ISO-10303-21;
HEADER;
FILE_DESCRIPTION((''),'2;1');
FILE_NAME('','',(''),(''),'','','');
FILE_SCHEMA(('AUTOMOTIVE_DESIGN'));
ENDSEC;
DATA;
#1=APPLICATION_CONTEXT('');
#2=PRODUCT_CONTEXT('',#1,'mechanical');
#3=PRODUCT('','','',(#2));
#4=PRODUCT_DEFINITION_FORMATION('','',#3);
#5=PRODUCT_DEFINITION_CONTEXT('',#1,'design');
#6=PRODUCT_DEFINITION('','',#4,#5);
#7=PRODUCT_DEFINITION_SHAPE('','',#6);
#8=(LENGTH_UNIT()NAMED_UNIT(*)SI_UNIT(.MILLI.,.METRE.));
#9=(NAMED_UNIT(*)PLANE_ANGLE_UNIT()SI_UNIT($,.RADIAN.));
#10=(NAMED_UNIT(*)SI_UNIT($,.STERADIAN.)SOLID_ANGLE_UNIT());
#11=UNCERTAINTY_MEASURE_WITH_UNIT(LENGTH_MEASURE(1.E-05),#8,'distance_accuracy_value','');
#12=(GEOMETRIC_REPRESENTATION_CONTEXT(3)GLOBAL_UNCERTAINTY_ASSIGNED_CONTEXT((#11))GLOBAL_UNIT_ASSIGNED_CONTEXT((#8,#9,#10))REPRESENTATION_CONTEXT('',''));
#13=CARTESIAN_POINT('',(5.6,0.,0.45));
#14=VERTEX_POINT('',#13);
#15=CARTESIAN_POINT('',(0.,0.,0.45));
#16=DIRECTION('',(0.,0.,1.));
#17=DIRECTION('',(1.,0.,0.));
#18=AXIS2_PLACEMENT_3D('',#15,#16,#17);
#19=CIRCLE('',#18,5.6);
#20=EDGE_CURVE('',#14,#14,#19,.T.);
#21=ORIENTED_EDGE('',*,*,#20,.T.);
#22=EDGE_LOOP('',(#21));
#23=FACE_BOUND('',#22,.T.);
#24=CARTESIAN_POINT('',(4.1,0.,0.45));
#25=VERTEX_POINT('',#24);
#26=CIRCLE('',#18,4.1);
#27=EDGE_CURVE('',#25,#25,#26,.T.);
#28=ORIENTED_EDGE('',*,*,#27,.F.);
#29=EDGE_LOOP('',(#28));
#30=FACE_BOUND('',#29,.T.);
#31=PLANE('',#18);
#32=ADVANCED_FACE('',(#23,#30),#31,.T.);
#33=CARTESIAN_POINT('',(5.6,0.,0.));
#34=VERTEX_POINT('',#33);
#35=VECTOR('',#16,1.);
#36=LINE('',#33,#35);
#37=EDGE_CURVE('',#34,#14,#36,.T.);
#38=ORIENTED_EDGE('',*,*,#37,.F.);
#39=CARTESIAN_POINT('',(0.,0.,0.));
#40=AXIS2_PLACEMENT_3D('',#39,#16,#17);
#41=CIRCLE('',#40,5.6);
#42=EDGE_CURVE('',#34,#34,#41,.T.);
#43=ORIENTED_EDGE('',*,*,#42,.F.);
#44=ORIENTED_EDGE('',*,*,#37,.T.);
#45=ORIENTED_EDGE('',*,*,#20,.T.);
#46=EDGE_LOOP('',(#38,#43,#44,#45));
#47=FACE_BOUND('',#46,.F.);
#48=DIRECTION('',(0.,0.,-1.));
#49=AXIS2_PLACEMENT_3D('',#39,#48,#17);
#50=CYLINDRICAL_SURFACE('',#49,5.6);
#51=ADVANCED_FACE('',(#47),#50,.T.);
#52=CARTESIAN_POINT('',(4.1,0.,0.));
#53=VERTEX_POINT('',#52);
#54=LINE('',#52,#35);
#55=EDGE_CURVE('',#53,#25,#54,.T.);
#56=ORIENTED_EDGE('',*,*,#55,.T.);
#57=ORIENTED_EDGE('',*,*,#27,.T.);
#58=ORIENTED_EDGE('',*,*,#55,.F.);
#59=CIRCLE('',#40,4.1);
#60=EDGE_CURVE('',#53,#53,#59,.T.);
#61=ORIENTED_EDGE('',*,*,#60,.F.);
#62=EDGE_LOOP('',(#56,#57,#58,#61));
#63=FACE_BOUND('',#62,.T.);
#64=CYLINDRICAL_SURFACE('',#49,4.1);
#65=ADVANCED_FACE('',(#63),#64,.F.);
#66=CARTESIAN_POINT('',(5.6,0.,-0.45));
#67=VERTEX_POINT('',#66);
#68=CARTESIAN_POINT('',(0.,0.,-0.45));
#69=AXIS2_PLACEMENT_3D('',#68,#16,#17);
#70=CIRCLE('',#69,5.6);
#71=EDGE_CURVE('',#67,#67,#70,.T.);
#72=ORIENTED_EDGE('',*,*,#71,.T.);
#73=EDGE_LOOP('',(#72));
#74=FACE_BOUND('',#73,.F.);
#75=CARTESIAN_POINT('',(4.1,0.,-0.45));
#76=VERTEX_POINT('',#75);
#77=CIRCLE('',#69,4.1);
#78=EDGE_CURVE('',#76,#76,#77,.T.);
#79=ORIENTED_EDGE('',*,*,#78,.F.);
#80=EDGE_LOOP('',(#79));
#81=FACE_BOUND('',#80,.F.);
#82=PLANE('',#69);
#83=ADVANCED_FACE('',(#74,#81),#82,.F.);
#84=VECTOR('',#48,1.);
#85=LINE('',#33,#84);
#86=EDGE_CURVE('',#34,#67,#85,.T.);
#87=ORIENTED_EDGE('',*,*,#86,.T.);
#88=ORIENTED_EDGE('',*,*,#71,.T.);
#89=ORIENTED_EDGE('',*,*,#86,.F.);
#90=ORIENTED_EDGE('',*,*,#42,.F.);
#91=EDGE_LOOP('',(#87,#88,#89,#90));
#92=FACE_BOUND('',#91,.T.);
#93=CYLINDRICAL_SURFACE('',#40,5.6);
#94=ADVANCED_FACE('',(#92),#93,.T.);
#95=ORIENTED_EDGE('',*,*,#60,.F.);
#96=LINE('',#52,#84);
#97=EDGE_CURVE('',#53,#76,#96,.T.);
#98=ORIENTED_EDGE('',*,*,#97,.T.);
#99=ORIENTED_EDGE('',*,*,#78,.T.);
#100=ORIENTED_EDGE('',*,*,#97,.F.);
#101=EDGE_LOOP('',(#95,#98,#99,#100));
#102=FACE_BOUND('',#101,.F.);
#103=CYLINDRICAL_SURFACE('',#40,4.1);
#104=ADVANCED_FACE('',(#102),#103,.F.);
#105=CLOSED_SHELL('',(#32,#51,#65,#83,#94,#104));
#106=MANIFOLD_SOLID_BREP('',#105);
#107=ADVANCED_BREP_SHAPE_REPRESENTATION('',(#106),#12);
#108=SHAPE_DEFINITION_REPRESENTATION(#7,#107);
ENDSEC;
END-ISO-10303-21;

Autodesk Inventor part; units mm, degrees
ref_plane "YZ Plane" through (0, 0, 0) normal (1, 0, 0) x (0, 1, 0)
ref_plane "XZ Plane" through (0, 0, 0) normal (0, 1, 0) x (-1, 0, 0)
ref_plane "XY Plane" through (0, 0, 0) normal (0, 0, 1) x (1, 0, 0)
sketch "Эскиз1" plane through (0, 0, 0) normal (0, 0, 1) x (1, 0, 0)
  circle A0 centre (0, 0) radius 4.1
  circle A1 centre (0, 0) radius 5.6
  dimension "d0" = 8.2
  dimension "d1" = 1.5
extrude "Выдавливание1" add sketch "Эскиз1" along normal mid plane 0.9
properties part number "Втулка" material "По умолчанию1"
